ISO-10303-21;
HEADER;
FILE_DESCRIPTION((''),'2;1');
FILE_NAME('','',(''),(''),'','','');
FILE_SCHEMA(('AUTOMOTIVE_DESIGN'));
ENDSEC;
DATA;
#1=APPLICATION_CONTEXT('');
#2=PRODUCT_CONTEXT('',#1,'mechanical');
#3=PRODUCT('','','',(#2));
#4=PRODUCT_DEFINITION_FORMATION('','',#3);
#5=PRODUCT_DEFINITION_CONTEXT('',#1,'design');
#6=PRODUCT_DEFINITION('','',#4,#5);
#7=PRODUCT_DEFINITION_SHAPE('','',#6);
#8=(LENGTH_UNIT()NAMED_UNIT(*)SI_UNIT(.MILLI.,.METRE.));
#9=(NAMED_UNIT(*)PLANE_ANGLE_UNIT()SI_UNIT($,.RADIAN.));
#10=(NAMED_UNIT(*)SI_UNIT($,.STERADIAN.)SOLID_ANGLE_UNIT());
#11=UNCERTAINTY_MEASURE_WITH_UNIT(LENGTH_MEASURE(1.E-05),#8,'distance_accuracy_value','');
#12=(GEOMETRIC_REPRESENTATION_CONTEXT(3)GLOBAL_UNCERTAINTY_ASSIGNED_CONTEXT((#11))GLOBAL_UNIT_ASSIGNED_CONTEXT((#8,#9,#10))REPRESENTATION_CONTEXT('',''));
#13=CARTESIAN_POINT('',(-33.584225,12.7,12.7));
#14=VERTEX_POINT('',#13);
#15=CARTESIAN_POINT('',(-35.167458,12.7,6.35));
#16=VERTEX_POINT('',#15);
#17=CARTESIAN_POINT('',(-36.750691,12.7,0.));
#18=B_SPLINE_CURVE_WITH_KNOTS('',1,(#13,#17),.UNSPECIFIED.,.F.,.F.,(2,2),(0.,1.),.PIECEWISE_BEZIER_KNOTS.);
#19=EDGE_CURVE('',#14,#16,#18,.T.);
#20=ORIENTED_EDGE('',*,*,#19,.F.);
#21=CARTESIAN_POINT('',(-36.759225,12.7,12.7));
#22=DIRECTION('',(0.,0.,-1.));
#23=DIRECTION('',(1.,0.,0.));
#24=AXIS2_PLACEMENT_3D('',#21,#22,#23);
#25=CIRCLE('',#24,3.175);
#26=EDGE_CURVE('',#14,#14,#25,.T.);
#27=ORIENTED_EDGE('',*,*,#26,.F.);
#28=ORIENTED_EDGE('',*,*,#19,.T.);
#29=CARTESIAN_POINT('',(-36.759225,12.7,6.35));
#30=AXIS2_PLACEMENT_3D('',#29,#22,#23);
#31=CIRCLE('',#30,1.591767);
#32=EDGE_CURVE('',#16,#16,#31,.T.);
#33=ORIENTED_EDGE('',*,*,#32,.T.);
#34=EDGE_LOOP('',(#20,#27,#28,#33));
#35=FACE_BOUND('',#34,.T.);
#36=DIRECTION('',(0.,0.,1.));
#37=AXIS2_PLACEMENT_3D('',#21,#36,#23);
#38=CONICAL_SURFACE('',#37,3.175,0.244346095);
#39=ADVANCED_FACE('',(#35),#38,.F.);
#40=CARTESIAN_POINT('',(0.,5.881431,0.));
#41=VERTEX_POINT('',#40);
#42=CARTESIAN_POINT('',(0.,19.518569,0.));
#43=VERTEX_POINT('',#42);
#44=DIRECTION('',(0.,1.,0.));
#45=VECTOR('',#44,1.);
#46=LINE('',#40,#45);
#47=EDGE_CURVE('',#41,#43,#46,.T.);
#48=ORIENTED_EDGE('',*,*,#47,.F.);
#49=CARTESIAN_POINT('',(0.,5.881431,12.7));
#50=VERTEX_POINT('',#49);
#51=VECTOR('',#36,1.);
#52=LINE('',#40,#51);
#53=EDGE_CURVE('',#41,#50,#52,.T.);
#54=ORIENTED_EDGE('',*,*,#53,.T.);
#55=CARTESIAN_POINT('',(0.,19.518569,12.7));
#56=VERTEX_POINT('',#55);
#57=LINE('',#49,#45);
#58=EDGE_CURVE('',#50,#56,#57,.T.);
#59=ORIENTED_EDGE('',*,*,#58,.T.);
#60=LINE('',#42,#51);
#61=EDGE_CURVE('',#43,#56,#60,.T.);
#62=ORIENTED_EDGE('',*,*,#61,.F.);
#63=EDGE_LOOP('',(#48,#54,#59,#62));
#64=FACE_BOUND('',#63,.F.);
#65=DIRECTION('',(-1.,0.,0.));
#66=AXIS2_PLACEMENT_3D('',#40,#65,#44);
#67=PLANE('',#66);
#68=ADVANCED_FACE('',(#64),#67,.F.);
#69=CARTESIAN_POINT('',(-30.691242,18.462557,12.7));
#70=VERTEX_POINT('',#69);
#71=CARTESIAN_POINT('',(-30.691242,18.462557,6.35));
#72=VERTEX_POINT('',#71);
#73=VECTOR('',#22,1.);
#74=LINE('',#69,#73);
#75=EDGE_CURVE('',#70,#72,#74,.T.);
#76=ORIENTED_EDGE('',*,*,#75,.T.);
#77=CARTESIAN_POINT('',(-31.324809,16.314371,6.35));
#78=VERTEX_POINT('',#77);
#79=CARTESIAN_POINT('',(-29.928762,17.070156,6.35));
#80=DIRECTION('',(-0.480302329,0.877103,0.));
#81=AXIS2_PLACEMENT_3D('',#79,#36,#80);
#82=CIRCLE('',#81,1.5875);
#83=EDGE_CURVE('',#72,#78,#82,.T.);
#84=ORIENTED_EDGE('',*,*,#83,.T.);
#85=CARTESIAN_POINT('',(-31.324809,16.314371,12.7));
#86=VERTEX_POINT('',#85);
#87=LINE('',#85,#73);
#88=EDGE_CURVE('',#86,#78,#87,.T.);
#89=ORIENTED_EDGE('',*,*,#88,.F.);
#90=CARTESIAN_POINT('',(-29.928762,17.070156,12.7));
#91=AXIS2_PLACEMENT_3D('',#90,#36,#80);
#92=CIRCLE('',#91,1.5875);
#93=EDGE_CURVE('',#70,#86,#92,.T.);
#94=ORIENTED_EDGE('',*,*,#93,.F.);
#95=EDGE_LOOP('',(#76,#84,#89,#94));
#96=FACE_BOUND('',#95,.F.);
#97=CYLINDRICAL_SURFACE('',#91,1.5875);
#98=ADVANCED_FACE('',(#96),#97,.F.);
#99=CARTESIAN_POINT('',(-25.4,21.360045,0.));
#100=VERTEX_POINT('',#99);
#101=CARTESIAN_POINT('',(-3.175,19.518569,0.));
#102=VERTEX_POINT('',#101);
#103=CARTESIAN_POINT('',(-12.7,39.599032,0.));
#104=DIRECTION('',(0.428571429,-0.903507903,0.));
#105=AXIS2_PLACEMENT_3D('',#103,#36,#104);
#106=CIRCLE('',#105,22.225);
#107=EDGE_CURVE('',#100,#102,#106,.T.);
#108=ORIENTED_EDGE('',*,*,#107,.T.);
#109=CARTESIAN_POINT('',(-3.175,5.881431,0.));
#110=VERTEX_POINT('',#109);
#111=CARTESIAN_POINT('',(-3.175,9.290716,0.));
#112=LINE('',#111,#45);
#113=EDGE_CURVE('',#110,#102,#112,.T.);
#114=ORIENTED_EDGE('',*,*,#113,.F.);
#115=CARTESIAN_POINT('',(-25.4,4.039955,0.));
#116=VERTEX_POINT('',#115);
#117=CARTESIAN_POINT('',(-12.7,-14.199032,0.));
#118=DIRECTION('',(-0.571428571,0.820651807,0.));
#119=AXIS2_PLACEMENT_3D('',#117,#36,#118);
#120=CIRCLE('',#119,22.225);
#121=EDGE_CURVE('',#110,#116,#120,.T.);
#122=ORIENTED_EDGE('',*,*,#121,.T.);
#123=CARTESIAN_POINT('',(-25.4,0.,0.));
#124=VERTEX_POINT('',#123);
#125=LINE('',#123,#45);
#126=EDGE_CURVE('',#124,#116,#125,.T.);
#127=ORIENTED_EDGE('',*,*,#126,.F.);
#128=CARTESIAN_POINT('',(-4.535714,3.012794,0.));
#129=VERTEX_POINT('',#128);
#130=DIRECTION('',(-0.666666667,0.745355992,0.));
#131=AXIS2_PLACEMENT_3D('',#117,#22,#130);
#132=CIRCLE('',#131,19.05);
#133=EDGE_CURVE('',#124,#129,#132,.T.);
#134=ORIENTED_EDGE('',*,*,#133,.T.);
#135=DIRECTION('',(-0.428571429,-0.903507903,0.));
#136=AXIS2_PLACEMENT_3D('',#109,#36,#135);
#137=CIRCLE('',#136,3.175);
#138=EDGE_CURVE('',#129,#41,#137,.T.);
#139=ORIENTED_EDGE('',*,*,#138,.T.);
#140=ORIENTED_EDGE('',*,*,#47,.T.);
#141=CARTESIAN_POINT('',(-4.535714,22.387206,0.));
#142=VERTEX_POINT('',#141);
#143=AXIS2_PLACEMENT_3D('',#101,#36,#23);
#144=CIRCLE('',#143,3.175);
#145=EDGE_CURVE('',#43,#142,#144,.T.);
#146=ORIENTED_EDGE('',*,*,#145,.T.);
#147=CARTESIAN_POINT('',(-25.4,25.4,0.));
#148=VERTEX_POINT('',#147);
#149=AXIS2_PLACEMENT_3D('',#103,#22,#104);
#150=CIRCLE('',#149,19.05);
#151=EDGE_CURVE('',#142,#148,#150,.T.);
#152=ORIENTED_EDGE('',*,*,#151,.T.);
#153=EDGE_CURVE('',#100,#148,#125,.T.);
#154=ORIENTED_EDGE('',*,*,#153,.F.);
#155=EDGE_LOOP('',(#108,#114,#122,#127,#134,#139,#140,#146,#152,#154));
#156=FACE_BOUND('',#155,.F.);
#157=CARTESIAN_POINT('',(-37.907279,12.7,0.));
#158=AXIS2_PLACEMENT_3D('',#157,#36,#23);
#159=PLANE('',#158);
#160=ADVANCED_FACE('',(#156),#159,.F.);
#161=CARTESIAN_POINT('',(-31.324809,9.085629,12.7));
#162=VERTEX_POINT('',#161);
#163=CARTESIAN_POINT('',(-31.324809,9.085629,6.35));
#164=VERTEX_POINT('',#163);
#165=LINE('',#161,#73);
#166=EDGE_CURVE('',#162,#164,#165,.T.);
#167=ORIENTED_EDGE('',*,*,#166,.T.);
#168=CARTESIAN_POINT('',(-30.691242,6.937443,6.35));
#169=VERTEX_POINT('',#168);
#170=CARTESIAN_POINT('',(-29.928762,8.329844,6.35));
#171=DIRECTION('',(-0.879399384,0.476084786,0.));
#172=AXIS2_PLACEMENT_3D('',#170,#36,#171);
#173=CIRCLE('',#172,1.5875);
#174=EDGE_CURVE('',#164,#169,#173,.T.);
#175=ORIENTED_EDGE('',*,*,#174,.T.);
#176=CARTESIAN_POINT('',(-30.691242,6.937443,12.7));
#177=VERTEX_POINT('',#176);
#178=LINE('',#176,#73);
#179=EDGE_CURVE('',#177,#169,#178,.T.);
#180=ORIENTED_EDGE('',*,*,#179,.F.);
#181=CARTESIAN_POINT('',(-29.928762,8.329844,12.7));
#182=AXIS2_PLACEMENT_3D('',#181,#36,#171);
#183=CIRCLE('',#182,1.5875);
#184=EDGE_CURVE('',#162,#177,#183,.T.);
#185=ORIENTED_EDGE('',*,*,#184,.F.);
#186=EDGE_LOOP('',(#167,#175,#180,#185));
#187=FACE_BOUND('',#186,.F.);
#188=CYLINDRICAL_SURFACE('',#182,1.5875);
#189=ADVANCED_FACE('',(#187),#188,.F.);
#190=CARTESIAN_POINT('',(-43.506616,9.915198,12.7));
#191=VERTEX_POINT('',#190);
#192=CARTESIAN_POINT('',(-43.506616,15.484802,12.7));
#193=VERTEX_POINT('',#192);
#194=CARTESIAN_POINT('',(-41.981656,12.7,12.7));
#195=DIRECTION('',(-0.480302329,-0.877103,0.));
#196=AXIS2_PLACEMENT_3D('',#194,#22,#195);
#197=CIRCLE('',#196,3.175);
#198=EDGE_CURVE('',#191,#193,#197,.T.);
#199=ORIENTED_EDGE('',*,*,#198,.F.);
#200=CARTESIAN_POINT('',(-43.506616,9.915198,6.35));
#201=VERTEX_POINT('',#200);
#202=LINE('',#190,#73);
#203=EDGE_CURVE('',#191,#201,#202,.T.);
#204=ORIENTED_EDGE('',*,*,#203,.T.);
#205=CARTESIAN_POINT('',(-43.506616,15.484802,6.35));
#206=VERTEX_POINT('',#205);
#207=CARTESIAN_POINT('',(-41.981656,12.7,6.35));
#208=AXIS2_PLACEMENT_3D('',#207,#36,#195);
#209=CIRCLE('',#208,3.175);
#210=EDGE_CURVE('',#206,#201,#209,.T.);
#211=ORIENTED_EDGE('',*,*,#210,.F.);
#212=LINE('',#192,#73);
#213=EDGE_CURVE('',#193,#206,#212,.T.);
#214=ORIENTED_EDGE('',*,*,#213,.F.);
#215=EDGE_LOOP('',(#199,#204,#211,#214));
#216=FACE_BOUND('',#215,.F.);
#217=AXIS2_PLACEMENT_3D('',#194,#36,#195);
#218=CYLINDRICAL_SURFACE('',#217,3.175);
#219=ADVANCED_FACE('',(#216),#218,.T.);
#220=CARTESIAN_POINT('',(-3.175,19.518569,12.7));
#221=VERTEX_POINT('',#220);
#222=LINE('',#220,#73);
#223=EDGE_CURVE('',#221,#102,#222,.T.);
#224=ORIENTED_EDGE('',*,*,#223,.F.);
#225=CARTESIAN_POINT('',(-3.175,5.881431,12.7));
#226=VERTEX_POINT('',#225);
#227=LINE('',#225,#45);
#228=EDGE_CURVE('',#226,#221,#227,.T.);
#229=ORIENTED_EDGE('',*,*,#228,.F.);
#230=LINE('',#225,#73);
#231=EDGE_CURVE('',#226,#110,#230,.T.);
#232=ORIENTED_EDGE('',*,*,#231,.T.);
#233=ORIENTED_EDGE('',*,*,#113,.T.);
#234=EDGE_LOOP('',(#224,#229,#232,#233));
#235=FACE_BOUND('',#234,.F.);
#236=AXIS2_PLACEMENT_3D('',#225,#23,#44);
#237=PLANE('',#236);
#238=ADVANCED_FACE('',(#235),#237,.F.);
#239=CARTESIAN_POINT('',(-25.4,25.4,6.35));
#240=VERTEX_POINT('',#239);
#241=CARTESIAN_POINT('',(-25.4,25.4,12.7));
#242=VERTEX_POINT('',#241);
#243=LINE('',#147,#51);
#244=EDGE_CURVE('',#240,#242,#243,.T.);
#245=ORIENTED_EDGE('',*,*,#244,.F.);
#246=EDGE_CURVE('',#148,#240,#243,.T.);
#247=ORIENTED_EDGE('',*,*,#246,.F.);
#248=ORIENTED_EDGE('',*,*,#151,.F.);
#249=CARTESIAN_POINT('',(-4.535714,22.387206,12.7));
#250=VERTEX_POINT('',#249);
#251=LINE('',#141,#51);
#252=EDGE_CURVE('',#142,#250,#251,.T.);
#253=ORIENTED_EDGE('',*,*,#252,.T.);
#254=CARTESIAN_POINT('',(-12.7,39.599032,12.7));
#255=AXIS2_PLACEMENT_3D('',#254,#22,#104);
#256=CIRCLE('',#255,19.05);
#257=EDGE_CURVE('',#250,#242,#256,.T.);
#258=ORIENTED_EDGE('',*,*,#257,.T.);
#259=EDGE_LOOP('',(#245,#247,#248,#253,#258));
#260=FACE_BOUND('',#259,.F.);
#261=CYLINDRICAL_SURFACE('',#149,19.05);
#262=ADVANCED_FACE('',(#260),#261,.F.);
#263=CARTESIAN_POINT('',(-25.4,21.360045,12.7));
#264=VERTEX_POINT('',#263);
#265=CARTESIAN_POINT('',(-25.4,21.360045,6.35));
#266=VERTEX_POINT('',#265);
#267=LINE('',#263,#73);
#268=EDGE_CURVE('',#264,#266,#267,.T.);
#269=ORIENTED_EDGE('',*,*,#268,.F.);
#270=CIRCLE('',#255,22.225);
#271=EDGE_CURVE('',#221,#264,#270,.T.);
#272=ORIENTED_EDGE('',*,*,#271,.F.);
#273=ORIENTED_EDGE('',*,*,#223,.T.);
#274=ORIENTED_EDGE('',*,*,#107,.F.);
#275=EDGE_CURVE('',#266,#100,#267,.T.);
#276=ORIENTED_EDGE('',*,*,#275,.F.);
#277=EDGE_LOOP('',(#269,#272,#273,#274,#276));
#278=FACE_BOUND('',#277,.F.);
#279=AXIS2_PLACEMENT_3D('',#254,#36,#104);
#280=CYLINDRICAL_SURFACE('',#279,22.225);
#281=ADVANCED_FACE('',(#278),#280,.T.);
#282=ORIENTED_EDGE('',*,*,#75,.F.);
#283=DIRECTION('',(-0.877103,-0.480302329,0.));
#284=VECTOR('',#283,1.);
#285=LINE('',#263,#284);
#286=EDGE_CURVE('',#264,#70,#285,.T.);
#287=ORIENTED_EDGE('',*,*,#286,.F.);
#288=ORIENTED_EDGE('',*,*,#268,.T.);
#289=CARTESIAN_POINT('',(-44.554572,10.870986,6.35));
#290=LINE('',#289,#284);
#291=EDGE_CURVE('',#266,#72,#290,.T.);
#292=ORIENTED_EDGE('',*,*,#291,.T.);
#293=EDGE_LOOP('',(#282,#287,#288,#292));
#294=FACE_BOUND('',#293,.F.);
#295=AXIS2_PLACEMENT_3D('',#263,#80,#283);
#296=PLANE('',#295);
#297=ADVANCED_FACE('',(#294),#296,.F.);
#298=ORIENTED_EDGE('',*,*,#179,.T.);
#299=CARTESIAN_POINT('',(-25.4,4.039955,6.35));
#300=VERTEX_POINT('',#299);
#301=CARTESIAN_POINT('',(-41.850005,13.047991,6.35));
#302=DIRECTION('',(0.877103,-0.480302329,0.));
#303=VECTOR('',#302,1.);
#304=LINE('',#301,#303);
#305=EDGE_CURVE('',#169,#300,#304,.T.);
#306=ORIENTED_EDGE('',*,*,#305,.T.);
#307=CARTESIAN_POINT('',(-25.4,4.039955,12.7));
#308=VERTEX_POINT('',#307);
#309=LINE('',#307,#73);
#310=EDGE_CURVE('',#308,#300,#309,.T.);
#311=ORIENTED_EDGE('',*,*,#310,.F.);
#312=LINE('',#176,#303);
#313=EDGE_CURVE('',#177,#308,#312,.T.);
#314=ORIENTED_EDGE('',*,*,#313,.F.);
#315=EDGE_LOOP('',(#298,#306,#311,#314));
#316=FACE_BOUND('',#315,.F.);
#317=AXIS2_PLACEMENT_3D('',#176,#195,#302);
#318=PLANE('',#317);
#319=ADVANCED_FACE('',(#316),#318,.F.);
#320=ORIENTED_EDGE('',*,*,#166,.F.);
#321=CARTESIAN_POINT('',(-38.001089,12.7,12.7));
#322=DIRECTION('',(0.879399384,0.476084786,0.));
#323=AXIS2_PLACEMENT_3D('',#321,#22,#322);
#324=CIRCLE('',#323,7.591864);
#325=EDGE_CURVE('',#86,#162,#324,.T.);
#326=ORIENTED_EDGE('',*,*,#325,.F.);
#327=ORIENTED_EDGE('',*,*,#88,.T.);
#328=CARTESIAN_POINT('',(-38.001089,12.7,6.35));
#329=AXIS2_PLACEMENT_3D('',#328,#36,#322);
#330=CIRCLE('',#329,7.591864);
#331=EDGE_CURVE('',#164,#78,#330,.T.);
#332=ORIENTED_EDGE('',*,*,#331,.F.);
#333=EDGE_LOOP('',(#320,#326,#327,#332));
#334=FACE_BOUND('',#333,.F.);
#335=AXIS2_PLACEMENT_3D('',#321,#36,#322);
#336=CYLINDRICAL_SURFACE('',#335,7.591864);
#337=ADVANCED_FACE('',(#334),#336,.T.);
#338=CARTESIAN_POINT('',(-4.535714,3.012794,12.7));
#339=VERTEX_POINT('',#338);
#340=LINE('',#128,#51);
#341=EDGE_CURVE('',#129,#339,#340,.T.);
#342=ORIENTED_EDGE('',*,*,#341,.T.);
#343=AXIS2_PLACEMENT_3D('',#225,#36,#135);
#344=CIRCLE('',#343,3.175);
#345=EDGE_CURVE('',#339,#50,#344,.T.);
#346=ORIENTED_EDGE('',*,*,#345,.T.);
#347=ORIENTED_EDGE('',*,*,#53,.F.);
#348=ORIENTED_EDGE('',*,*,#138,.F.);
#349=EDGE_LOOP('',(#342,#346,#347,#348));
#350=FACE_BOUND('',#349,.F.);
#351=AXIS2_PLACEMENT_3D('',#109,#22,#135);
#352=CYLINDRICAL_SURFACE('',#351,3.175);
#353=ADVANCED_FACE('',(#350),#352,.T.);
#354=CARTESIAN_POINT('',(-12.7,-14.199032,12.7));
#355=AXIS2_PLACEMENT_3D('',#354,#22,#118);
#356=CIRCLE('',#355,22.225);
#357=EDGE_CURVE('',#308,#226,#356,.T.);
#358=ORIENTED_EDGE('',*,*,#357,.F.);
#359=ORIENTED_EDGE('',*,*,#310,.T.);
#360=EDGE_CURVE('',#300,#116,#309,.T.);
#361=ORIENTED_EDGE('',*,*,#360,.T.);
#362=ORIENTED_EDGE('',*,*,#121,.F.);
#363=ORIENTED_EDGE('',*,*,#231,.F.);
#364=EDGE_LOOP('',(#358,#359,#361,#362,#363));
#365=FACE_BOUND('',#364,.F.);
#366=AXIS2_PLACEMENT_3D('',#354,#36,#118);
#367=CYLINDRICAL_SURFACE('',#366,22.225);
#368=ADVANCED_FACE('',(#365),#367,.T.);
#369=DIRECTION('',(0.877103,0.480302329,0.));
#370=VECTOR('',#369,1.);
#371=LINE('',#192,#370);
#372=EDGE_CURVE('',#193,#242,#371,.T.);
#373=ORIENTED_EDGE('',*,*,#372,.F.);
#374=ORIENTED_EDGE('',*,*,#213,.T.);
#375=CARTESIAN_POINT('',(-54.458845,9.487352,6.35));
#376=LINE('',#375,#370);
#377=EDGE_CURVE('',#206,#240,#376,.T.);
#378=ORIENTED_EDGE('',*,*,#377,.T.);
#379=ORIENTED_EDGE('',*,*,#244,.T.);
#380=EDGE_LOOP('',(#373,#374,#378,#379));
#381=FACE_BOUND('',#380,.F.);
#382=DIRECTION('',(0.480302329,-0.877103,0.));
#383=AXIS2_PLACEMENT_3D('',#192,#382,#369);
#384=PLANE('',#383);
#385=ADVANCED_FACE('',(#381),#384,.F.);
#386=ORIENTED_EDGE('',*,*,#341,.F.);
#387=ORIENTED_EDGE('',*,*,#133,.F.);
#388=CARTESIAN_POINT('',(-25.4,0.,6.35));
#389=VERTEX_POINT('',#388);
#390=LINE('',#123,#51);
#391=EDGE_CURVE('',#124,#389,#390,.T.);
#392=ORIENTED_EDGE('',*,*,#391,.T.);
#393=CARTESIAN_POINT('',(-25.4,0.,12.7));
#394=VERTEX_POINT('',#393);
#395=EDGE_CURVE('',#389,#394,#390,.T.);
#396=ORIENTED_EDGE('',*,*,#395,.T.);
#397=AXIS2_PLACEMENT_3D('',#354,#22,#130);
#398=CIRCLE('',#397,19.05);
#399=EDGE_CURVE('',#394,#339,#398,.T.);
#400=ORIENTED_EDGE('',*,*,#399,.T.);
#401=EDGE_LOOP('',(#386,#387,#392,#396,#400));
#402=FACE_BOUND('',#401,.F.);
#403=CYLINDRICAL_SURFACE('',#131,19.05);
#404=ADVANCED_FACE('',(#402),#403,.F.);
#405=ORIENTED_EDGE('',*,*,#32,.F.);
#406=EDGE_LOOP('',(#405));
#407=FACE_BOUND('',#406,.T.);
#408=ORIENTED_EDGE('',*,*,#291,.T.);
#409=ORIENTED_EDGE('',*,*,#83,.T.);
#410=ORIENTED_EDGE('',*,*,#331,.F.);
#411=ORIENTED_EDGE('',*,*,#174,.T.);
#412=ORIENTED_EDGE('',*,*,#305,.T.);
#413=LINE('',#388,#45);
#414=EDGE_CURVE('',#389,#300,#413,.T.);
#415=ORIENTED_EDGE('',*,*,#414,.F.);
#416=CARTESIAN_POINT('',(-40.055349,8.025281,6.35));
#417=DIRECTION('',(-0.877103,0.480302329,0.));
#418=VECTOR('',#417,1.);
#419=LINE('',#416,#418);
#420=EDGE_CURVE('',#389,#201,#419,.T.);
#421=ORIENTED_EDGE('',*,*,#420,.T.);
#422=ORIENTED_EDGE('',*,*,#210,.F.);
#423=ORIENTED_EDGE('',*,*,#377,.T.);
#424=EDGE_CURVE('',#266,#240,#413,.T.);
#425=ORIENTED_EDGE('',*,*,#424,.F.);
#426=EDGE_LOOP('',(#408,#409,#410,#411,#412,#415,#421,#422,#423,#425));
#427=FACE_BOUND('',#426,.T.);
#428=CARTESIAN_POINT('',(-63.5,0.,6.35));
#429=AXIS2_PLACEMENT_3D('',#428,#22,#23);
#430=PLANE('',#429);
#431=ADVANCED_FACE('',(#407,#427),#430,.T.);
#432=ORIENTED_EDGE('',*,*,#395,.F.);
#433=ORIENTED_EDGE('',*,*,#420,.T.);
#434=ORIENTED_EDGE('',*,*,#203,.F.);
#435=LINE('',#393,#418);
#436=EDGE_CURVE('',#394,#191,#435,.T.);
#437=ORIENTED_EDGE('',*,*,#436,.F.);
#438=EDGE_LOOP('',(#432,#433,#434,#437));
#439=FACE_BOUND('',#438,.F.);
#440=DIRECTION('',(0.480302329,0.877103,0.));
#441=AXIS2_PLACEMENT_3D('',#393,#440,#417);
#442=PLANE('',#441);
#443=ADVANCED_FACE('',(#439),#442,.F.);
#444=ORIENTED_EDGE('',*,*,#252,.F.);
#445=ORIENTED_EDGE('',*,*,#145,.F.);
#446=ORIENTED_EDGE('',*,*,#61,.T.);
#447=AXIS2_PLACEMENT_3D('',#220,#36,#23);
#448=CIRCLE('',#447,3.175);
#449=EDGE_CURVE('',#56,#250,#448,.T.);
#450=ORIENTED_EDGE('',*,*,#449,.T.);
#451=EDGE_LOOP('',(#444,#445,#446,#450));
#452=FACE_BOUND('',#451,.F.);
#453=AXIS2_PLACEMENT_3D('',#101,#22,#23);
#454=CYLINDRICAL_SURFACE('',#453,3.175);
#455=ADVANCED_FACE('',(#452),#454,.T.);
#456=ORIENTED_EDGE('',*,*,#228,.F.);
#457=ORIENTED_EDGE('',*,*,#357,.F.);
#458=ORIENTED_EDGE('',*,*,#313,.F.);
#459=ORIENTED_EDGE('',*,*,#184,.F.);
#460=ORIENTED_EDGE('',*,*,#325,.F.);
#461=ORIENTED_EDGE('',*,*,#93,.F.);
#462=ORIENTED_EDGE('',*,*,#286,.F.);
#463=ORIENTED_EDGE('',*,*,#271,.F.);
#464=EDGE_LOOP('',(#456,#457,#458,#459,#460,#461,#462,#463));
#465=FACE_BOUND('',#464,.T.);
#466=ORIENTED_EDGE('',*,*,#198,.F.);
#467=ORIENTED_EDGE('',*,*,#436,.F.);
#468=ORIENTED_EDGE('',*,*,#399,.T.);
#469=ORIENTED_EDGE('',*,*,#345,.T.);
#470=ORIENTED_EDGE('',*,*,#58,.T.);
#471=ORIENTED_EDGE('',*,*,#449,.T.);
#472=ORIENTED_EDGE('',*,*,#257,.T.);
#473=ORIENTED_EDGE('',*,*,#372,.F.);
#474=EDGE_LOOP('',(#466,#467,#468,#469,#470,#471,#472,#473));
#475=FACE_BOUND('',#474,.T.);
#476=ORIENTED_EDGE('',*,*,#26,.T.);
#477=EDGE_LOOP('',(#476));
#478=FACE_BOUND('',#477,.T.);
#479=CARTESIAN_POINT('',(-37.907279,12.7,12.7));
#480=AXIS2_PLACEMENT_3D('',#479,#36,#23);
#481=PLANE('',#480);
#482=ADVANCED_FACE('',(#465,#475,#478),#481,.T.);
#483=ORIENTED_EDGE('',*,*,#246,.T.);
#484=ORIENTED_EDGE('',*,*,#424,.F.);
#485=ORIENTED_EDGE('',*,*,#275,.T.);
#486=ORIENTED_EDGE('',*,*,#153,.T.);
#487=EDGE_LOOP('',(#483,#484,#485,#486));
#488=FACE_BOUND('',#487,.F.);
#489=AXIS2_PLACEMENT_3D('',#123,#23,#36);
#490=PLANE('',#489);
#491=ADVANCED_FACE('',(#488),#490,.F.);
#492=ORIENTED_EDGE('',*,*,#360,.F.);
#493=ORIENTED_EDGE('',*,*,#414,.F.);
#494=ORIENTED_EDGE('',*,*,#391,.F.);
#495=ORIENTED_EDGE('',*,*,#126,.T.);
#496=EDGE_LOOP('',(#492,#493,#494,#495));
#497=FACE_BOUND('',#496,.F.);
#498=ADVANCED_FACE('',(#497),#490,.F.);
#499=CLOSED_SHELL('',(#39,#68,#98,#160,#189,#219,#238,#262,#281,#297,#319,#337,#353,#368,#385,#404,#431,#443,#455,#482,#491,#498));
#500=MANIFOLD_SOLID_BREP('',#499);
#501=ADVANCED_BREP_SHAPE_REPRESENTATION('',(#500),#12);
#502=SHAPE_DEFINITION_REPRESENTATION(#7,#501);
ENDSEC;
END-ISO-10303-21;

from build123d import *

# Parameters (mm, degrees)
F1_DEPTH = 12.7
F2_R     = 3.175
F3_DEPTH = 12.7
F3_TAPER = 14
F5_DEPTH = 12.7010001
F6_W     = 38.1
F6_H     = 6.35
F7_DEPTH = 25.401


with BuildPart() as f1:
    # F0 (on Top) → F1 (new body)
    with BuildSketch(Plane.XY):
        with BuildLine():
            ThreePointArc((-25.4, 25.4), (-53.7980633142, 12.7), (-25.4, 0))
            Line((-25.4, 0), (-34.5618496597, 0))
            Line((-34.5618496597, 0), (-34.5618496597, 25.4))
            Line((-34.5618496597, 25.4), (-25.4, 25.4))
        make_face()
        with BuildLine():
            Line((-34.5618496597, 0), (-25.4, 0))
            ThreePointArc((-25.4, 0), (-21.204965459, 5.7439235197), (-19.7203873372, 12.7))
            ThreePointArc((-19.7203873372, 12.7), (-21.204965459, 19.6560764803), (-25.4, 25.4))
            Line((-25.4, 25.4), (-34.5618496597, 25.4))
            Line((-34.5618496597, 25.4), (-34.5618496597, 0))
        make_face()
        with BuildLine():
            ThreePointArc((-19.7203873372, 12.7), (-21.204965459, 5.7439235197), (-25.4, 0))
            ThreePointArc((-25.4, 0), (-15.4225737421, 4.6554132358), (-4.5357142857, 3.0127938932))
            ThreePointArc((-4.5357142857, 3.0127938932), (-1.4778911139, 3.1980667262), (0, 5.8814314849))
            Line((0, 5.8814314849), (0, 19.5185685151))
            ThreePointArc((0, 19.5185685151), (-1.4778911139, 22.2019332738), (-4.5357142857, 22.3872061068))
            ThreePointArc((-4.5357142857, 22.3872061068), (-15.4225737421, 20.7445867642), (-25.4, 25.4))
            ThreePointArc((-25.4, 25.4), (-21.204965459, 19.6560764803), (-19.7203873372, 12.7))
        make_face()
    extrude(amount=F1_DEPTH)

    # F2 (on face) → F3 (cut, through all)
    with BuildSketch(Plane.XY.offset(12.7)):
        with Locations((-36.7592253257, 12.7)):
            Circle(F2_R)
    extrude(amount=-F3_DEPTH, taper=F3_TAPER, mode=Mode.SUBTRACT)

    # F4 (on face) → F5 (cut, through all)
    with BuildSketch(Plane.XY.offset(12.7)):
        with BuildLine():
            ThreePointArc((-25.4, 4.0399547456), (-14.535188109, 7.9500701216), (-3.175, 5.8814314849))
            Line((-3.175, 5.8814314849), (-3.175, 19.5185685151))
            ThreePointArc((-3.175, 19.5185685151), (-14.535188109, 17.4499298784), (-25.4, 21.3600452544))
            Line((-25.4, 21.3600452544), (-30.6912422422, 18.4625566245))
            ThreePointArc((-30.6912422422, 18.4625566245), (-31.4514193427, 17.5192344091), (-31.3248088175, 16.3143710139))
            ThreePointArc((-31.3248088175, 16.3143710139), (-30.4092253257, 12.7), (-31.3248088175, 9.0856289861))
            ThreePointArc((-31.3248088175, 9.0856289861), (-31.4514193427, 7.8807655909), (-30.6912422422, 6.9374433755))
            Line((-30.6912422422, 6.9374433755), (-25.4, 4.0399547456))
        make_face()
        with BuildLine():
            ThreePointArc((-25.4, 25.4), (-53.7980633142, 12.7), (-25.4, 0))
            Line((-25.4, 0), (-43.5066161293, 9.9151979742))
            ThreePointArc((-43.5066161293, 9.9151979742), (-45.1566562358, 12.7), (-43.5066161293, 15.4848020258))
            Line((-43.5066161293, 15.4848020258), (-25.4, 25.4))
        make_face()
    extrude(amount=-F5_DEPTH, mode=Mode.SUBTRACT)

    # F6 (on Front) → F7 (cut, through all)
    with BuildSketch(Plane.XZ):
        with Locations((-44.45, 3.175)):
            Rectangle(F6_W, F6_H)
    extrude(amount=-F7_DEPTH, mode=Mode.SUBTRACT)


solid = f1.part
